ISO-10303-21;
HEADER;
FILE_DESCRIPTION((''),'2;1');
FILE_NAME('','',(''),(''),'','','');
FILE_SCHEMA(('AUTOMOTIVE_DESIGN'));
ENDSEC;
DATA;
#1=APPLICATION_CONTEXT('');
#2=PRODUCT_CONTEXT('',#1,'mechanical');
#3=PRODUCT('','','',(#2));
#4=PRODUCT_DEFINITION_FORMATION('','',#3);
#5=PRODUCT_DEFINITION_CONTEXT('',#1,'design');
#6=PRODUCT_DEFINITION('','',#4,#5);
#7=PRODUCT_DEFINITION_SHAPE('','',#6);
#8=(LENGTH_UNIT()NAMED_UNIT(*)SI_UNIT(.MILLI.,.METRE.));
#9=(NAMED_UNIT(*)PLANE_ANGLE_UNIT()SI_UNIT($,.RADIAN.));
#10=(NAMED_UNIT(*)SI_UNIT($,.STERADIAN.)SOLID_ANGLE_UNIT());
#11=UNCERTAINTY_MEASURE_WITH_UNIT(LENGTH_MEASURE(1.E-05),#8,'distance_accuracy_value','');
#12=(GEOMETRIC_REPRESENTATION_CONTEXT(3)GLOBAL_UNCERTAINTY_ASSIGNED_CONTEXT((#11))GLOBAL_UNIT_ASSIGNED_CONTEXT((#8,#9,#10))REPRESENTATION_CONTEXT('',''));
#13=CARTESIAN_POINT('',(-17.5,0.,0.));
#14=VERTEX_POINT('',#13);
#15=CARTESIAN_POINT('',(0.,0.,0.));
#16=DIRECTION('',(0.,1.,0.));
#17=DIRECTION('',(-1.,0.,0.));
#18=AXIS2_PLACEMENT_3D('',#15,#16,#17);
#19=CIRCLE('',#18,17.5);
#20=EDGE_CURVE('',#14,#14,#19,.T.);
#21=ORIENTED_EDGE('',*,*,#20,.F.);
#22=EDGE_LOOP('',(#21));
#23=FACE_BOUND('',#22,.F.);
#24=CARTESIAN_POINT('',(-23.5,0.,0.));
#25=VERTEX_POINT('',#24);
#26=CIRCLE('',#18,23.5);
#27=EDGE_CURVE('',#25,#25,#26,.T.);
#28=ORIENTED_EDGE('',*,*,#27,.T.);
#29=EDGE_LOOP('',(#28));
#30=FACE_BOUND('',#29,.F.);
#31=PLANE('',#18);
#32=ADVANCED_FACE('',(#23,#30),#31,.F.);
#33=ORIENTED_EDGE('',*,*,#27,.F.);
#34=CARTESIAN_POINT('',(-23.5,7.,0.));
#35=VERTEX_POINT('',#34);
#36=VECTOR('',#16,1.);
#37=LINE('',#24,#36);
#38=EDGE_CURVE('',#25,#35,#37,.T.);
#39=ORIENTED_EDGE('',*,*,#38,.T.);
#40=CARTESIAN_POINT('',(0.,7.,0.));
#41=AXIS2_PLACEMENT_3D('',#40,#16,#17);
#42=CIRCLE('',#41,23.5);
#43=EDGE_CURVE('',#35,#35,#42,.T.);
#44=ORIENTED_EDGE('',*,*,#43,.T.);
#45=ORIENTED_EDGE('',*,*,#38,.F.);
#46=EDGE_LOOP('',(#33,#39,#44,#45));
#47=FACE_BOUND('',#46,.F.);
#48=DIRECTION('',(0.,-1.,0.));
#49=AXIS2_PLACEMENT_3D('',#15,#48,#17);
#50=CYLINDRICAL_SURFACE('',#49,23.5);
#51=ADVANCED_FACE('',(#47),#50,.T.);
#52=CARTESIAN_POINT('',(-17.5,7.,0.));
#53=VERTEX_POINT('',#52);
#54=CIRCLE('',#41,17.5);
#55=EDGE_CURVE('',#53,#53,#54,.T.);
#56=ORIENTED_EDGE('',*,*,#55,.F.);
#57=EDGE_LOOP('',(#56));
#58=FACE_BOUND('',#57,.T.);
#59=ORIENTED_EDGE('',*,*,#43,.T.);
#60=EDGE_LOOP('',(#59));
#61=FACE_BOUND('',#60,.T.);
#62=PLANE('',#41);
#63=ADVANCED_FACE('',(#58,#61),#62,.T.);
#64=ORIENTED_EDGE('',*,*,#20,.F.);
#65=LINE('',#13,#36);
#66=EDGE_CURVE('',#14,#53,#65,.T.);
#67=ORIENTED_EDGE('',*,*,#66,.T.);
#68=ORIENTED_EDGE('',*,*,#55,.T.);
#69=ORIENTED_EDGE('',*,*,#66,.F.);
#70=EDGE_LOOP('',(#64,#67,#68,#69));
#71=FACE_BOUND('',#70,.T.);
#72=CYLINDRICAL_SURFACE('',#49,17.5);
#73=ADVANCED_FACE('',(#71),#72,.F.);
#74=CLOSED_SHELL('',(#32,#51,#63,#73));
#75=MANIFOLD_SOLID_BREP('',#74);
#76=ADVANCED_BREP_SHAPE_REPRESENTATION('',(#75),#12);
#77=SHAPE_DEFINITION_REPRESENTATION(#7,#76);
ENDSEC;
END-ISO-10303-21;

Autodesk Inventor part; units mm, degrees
ref_plane "YZ Plane" through (0, 0, 0) normal (1, 0, 0) x (0, 1, 0)
ref_plane "XZ Plane" through (0, 0, 0) normal (0, 1, 0) x (-1, 0, 0)
ref_plane "XY Plane" through (0, 0, 0) normal (0, 0, 1) x (1, 0, 0)
sketch "Sketch1" plane through (0, 0, 0) normal (0, 1, 0) x (-1, 0, 0)
  circle A0 centre (0, 0) radius 17.5
  circle A1 centre (0, 0) radius 23.5
  dimension "d0" = 35
  dimension "d1" = 47
extrude "Extrusion1" add sketch "Sketch1" along normal blind 7
properties part number "ball bearing 35mm"
